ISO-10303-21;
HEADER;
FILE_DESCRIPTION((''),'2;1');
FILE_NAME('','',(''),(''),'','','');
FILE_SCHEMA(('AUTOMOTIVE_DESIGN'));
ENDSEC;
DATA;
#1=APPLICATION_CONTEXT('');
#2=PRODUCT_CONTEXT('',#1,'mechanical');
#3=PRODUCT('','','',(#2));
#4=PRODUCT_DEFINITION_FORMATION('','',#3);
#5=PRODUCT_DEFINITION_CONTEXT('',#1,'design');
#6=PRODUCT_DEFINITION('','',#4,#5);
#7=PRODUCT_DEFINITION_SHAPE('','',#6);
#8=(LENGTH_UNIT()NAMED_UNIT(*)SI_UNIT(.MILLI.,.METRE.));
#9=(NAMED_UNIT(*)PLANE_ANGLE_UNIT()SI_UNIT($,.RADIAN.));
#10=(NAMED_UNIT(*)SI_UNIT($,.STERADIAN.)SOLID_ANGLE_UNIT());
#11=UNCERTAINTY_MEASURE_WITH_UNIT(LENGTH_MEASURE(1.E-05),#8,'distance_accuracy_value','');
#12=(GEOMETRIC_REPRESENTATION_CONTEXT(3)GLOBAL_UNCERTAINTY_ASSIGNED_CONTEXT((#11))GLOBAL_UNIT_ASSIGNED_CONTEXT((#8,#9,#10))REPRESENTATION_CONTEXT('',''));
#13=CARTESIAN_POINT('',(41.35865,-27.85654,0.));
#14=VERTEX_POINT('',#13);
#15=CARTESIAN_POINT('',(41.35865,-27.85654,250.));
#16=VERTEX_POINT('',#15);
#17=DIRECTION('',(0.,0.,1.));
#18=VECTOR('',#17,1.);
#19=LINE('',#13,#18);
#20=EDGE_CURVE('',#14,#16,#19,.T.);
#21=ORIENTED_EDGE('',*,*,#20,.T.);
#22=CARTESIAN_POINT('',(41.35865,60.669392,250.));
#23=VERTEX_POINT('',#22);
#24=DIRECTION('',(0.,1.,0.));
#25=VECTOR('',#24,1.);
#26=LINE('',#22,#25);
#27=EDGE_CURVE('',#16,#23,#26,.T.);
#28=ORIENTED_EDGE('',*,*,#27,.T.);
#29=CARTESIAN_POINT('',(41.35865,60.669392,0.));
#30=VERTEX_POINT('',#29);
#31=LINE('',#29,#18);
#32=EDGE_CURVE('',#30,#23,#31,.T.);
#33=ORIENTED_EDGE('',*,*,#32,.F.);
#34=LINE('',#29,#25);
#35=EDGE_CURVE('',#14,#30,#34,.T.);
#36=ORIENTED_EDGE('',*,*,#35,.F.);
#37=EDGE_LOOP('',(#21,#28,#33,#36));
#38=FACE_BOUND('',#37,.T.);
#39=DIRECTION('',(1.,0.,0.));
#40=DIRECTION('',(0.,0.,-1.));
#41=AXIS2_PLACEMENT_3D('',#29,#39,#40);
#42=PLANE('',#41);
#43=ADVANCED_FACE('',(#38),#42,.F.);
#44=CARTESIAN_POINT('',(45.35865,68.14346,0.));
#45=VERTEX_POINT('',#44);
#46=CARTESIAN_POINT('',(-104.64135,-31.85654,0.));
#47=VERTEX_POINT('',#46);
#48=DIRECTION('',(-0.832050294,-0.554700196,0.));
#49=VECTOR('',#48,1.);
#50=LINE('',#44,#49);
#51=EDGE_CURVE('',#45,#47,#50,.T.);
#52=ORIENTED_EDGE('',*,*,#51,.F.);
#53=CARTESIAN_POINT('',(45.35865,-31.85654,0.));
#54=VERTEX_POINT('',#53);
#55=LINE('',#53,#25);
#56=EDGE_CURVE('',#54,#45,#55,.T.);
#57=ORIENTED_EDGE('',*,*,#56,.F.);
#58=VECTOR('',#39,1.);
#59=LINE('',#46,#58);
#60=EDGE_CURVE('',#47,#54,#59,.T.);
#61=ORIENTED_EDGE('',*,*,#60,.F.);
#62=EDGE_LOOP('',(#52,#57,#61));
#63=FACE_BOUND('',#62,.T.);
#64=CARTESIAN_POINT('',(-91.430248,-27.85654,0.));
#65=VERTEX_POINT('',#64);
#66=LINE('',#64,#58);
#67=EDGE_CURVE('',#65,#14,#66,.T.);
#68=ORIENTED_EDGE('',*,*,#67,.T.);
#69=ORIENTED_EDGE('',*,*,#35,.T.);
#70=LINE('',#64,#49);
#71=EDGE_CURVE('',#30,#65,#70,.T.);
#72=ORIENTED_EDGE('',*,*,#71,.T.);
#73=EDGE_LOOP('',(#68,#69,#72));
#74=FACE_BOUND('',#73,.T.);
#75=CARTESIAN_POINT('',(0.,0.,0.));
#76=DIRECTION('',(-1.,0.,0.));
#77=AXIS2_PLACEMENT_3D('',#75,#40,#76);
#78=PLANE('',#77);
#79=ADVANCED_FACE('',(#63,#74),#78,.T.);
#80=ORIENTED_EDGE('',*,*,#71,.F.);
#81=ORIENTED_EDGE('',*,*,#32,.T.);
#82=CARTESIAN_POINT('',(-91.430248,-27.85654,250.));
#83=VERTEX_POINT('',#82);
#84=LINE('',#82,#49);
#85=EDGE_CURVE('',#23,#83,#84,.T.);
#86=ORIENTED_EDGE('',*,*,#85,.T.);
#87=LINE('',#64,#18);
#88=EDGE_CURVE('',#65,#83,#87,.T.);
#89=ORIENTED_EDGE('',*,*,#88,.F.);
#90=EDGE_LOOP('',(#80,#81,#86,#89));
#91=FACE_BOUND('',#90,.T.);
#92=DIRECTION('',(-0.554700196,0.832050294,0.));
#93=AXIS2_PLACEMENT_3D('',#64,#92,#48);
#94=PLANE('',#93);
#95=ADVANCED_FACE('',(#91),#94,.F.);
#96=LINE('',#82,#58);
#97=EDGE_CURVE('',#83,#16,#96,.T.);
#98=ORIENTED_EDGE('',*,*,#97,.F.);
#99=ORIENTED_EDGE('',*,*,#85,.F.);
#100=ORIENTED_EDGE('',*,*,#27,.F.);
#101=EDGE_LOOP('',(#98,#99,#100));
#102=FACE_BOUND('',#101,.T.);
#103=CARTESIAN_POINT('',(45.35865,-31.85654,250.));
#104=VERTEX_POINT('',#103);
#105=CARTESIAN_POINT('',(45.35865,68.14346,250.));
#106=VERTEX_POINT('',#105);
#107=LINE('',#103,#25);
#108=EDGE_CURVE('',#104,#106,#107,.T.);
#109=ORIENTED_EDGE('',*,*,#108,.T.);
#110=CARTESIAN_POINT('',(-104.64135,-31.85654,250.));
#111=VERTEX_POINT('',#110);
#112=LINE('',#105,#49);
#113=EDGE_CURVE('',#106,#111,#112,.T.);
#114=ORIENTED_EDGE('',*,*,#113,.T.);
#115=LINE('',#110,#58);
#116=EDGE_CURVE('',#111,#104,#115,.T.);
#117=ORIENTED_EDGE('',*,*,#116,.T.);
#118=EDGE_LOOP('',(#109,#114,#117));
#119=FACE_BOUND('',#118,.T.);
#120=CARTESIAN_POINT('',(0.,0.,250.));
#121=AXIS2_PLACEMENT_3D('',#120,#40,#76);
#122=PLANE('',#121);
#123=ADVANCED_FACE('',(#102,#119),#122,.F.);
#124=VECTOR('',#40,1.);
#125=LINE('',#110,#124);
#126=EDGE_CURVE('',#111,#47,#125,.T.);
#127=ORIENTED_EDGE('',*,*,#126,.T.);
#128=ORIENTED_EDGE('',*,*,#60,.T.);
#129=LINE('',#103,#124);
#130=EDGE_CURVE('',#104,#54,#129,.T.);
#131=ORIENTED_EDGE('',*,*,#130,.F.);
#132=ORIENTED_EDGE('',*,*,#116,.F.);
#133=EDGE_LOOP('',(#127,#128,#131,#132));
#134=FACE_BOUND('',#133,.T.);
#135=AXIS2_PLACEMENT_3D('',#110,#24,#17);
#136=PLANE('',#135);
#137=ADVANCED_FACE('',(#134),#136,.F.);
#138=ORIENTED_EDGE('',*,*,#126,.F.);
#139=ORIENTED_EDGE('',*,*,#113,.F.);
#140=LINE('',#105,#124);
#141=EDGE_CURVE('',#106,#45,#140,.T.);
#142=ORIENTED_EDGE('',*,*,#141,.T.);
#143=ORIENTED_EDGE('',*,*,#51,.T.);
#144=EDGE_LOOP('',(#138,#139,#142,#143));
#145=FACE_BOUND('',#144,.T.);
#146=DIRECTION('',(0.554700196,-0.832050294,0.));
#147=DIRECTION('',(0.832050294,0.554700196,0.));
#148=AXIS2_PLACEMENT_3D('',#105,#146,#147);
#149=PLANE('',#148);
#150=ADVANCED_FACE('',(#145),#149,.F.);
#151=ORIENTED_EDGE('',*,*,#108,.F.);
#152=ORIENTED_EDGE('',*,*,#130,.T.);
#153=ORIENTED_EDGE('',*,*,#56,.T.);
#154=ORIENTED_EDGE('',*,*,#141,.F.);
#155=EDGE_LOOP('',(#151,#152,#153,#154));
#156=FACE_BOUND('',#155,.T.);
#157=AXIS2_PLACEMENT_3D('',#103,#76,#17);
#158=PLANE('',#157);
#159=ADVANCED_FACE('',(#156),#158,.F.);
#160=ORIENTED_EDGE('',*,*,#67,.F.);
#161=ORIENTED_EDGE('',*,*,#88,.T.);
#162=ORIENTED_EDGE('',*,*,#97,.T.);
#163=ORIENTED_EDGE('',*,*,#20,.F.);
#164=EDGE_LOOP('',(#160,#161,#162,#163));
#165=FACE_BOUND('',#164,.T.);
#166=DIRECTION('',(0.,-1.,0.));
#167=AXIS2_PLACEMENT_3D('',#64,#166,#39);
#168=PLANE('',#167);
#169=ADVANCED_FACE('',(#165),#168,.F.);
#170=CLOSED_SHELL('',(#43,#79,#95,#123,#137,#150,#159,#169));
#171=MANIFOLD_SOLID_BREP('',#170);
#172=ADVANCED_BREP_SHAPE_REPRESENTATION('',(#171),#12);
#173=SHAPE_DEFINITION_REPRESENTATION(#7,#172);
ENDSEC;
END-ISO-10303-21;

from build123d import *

# Parameters (mm, degrees)
EXTRUDE_1_DEPTH     = 250
CUT_EXTRUDE_1_DEPTH = 251


with BuildPart() as part:
    # 草图1 → 凸台-拉伸1 (new body)
    with BuildSketch(Plane.XY):
        Polygon((-104.641350211, -31.856540084), (45.358649789, -31.856540084), (45.358649789, 68.143459916), align=None)
    extrude(amount=EXTRUDE_1_DEPTH)

    # 草图2 → 切除-拉伸1 (cut, through all)
    with BuildSketch(Plane.XY.offset(250)):
        Polygon((41.358649789, 60.669391548), (41.358649789, -27.856540084), (-91.43024766, -27.856540084), align=None)
    extrude(amount=-CUT_EXTRUDE_1_DEPTH, mode=Mode.SUBTRACT)


solid = part.part
